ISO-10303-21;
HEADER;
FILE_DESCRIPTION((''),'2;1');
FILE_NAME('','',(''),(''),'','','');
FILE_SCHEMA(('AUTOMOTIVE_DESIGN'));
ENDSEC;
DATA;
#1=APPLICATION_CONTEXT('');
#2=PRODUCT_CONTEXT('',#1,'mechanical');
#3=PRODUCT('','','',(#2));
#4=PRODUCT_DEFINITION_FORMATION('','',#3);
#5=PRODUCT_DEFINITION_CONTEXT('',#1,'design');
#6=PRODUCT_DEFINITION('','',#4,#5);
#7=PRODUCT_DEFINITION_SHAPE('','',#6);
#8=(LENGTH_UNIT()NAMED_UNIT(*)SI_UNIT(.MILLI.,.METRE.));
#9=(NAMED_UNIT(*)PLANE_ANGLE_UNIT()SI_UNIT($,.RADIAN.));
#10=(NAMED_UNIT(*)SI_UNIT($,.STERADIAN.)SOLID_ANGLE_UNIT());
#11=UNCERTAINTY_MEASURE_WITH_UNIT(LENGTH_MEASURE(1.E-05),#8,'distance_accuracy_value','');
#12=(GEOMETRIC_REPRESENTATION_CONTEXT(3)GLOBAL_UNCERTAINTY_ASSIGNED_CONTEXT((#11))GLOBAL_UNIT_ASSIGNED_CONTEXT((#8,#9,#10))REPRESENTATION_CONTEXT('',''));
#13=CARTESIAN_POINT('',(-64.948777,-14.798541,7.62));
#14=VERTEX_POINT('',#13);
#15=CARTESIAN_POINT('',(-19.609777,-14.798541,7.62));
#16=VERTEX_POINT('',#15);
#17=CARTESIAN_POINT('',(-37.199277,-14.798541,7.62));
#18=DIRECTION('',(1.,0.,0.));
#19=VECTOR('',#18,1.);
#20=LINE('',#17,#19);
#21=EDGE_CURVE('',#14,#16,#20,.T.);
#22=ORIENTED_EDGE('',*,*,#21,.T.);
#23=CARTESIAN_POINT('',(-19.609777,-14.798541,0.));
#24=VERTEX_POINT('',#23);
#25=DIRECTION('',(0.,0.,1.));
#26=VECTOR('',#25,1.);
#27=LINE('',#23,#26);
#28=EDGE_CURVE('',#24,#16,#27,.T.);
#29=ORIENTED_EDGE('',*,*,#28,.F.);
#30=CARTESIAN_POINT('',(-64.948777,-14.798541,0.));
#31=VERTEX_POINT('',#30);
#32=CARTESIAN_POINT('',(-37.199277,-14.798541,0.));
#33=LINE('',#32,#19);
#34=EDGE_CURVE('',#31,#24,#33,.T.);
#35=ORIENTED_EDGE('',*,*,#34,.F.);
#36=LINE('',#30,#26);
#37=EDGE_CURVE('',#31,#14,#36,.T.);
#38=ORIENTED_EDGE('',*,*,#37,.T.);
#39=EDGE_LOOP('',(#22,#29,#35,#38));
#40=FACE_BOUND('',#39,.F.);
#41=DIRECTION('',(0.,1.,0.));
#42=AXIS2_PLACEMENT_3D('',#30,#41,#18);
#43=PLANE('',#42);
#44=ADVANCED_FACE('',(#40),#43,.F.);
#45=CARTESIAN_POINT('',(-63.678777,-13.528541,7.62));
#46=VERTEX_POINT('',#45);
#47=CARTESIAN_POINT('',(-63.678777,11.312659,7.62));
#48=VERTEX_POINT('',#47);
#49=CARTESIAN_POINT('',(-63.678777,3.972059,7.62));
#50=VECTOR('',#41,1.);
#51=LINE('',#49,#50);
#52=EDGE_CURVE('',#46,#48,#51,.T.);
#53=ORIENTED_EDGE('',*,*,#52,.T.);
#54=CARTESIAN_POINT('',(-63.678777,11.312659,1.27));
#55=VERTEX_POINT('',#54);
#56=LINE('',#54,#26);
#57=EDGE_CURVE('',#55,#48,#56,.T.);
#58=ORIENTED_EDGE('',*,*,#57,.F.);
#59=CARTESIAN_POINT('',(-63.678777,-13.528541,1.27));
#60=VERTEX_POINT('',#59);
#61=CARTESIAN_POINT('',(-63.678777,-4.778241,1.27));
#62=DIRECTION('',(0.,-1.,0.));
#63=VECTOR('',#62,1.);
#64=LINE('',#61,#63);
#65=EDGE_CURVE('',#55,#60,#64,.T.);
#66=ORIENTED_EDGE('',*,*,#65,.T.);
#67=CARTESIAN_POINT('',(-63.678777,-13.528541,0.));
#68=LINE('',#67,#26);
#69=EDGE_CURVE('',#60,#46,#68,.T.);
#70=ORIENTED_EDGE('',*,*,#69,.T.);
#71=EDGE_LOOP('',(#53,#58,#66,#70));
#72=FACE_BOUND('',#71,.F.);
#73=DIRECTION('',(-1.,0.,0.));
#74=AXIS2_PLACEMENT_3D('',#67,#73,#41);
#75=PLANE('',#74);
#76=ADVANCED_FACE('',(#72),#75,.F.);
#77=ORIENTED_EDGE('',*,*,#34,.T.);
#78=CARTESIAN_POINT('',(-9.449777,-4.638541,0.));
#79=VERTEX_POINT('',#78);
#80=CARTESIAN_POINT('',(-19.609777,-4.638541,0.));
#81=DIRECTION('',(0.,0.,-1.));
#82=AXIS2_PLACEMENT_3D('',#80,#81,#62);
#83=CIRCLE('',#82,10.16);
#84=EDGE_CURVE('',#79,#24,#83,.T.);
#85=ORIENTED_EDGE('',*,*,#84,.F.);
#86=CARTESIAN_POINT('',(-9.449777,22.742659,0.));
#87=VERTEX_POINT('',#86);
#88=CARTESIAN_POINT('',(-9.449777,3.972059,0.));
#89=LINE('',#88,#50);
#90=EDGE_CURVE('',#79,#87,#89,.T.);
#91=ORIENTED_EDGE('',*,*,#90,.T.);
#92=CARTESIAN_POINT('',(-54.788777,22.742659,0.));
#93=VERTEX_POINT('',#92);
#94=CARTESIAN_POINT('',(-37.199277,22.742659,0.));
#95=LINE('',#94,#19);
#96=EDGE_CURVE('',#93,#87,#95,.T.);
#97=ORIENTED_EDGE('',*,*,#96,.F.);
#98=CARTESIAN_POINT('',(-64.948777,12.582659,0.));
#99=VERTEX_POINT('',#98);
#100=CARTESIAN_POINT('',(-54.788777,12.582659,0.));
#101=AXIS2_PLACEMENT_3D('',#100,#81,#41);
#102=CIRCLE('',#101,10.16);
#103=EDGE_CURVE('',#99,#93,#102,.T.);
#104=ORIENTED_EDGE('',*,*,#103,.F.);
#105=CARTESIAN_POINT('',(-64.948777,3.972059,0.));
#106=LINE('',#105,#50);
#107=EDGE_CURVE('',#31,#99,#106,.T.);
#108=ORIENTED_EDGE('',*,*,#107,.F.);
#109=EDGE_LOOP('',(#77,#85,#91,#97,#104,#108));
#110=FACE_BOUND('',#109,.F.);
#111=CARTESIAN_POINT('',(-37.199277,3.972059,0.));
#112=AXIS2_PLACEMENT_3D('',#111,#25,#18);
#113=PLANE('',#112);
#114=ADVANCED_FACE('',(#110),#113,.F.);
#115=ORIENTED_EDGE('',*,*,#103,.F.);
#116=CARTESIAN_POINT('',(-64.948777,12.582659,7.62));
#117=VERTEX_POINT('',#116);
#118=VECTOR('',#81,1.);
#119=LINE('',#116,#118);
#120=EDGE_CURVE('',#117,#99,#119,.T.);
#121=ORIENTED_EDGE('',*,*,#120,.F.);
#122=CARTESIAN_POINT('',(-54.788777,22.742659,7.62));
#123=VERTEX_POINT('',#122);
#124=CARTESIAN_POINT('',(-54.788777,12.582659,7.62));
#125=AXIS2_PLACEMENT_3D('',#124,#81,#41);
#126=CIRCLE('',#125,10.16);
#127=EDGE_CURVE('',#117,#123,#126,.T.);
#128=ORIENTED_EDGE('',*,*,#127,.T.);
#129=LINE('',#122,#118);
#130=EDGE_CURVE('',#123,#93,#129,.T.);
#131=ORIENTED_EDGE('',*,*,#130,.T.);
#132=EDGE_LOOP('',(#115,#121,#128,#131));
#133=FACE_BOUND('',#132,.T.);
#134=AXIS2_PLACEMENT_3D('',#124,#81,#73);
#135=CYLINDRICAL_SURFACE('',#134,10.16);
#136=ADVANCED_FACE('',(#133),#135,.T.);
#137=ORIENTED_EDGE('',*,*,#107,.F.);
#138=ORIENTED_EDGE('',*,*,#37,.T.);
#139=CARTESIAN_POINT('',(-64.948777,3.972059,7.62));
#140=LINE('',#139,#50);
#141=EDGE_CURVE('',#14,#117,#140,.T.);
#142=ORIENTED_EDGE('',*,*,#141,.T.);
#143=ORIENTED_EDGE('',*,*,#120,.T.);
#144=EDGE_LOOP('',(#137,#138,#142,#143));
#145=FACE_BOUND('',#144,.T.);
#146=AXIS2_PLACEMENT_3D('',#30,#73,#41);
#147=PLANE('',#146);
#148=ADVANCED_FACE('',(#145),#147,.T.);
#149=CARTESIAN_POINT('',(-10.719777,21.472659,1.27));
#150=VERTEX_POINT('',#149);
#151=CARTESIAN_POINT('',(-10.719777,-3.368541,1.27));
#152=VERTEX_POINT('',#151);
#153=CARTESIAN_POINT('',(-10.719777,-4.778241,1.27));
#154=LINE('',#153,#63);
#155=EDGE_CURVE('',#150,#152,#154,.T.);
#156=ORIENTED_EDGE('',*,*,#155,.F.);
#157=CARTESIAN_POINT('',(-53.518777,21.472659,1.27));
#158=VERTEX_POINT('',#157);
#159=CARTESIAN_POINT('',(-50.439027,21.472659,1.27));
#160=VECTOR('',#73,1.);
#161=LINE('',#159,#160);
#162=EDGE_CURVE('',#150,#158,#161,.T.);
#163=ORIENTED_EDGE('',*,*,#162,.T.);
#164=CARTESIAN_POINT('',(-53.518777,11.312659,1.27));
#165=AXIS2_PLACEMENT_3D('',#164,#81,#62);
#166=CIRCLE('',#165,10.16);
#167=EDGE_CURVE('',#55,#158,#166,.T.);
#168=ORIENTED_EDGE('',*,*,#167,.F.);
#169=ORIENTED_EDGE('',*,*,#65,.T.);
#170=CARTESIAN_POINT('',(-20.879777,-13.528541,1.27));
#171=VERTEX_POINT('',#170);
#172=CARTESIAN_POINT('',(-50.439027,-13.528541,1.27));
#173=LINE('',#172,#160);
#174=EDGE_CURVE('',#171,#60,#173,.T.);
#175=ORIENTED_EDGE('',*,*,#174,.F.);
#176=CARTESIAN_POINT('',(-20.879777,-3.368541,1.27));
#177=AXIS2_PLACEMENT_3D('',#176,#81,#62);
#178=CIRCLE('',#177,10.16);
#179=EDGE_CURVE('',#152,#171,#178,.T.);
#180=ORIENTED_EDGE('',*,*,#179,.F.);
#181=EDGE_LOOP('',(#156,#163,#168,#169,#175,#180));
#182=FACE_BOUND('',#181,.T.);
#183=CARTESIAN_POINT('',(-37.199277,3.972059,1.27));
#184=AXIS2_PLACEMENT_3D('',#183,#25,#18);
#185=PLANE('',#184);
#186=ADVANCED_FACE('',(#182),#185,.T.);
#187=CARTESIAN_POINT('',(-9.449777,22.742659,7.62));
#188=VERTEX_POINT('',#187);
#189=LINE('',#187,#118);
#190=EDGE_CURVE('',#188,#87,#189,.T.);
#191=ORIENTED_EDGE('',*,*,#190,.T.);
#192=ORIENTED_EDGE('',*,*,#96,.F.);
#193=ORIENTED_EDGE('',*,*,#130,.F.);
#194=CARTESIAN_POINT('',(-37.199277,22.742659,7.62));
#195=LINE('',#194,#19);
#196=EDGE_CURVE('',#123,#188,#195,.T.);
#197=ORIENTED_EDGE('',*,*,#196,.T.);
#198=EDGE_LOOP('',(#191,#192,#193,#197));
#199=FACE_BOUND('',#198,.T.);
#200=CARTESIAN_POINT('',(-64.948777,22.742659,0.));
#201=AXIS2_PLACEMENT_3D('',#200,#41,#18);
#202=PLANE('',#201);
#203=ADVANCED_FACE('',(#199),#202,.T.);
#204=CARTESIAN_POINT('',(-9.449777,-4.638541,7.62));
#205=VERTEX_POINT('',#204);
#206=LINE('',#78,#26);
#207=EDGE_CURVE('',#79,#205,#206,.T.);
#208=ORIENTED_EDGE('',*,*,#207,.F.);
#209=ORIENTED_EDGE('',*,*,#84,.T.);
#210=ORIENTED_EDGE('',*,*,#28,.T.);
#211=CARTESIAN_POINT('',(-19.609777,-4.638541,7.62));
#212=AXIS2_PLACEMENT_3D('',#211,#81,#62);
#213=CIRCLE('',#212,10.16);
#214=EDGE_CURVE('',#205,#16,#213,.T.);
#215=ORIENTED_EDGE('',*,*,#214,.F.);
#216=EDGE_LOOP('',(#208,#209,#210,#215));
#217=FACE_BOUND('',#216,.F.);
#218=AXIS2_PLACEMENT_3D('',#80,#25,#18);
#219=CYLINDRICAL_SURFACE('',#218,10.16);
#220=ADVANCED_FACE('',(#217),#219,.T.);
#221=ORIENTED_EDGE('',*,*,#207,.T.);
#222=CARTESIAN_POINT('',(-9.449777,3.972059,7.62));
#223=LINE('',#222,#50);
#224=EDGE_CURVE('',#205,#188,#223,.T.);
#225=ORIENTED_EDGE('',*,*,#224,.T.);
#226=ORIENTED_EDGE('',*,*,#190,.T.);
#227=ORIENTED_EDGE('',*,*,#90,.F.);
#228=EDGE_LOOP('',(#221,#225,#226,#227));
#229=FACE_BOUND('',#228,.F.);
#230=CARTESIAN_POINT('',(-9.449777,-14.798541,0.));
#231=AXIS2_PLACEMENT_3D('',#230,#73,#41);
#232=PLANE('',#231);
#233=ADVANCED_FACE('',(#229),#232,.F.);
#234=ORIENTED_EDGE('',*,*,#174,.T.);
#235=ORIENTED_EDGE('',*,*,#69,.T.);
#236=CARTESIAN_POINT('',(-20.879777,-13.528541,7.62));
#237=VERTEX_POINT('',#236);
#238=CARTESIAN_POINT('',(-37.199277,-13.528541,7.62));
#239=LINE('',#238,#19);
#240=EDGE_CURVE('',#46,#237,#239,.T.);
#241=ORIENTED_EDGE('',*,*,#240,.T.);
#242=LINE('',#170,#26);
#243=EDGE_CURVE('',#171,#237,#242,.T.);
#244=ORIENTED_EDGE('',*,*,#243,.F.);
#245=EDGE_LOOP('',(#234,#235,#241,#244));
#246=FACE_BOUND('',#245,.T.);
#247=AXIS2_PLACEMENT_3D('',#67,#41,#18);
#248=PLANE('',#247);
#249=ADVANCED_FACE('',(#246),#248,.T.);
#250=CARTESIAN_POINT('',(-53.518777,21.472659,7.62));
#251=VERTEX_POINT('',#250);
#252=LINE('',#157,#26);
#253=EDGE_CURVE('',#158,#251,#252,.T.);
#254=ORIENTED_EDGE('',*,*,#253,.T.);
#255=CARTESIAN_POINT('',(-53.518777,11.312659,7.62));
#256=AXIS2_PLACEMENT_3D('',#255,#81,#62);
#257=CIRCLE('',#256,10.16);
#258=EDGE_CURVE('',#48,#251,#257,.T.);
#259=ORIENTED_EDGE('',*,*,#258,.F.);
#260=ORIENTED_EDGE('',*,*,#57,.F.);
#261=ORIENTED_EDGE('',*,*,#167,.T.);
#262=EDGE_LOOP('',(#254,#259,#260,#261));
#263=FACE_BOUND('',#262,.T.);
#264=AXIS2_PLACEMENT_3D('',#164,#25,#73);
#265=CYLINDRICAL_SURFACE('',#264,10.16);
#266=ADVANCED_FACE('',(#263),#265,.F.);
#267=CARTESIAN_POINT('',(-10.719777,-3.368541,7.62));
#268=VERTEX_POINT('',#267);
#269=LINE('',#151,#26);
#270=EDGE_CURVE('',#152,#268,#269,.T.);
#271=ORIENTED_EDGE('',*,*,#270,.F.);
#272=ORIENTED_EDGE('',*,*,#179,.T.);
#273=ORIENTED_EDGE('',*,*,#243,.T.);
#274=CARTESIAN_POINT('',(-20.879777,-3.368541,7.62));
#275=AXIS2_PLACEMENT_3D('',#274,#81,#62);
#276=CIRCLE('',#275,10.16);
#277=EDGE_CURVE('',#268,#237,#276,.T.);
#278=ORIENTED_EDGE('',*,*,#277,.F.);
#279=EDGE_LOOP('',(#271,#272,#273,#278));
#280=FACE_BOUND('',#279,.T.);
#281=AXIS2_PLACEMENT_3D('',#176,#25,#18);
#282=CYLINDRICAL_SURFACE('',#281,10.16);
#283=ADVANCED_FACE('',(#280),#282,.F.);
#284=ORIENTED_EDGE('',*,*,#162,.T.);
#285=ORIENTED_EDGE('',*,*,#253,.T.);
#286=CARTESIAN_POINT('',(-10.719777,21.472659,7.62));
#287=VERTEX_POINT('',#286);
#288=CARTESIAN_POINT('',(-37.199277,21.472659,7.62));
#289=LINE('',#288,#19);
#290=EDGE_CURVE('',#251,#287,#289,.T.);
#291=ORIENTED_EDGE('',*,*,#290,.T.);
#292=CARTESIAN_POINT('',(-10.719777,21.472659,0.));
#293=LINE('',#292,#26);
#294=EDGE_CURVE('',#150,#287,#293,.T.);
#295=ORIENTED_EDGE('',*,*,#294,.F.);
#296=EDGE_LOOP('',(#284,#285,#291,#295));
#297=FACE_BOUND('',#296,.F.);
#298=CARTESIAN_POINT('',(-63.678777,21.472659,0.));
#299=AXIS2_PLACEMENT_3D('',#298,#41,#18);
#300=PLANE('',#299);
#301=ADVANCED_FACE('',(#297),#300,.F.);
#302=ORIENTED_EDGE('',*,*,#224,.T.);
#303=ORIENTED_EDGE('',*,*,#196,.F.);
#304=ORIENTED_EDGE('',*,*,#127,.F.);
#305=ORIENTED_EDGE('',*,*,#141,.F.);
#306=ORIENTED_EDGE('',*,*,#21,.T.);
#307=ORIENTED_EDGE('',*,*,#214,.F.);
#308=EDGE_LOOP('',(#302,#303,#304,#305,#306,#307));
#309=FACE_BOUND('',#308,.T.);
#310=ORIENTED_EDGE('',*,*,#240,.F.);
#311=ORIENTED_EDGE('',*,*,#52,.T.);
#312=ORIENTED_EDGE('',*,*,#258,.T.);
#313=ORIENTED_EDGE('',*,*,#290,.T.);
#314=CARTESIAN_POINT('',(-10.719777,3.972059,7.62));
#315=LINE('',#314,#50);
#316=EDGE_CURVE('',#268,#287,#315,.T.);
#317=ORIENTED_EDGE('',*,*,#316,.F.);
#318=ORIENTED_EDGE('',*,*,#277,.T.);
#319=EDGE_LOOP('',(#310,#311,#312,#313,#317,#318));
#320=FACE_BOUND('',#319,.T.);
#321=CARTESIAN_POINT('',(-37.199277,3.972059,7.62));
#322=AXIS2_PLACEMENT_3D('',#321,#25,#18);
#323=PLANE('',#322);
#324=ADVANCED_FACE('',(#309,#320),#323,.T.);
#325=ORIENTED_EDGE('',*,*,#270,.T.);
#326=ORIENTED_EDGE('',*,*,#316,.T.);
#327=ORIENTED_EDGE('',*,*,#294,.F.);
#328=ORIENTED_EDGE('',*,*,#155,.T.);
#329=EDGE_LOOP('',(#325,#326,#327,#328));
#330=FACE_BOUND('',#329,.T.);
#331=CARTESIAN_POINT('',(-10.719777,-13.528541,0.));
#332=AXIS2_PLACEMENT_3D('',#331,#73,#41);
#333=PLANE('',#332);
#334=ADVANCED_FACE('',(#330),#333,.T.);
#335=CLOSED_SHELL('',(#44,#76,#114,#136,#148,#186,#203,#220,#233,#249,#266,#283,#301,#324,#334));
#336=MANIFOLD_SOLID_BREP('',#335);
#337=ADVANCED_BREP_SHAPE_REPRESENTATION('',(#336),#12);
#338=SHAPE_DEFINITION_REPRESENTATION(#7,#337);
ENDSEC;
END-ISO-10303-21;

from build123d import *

# Parameters (mm, degrees)
F0_W     = 55.499
F0_H     = 37.5412
F0_W_2   = 52.959
F0_H_2   = 35.0012
F1_DEPTH = 1.27
F2_DEPTH = 7.62
F3_R     = 10.16


with BuildPart() as f1:
    # F0 (on Top) → F1 (new body)
    with BuildSketch(Plane.XY):
        with Locations((-37.199277, 3.972059)):
            Rectangle(F0_W, F0_H)
        with Locations((-37.199277, 3.972059)):
            Rectangle(F0_W_2, F0_H_2, mode=Mode.SUBTRACT)
        with Locations((-37.199277, 3.972059)):
            Rectangle(F0_W_2, F0_H_2)
    extrude(amount=F1_DEPTH)

    # F0 (on Top) → F2 (join)
    with BuildSketch(Plane.XY):
        with Locations((-37.199277, 3.972059)):
            Rectangle(F0_W, F0_H)
        with Locations((-37.199277, 3.972059)):
            Rectangle(F0_W_2, F0_H_2, mode=Mode.SUBTRACT)
    extrude(amount=F2_DEPTH)

    # F3
    f3_edges = [f1.edges().sort_by_distance(p)[0] for p in [
        (-64.948777, 22.742659, 3.81),
        (-63.678777, 21.472659, 4.445),
        (-10.719777, -13.528541, 4.445),
        (-9.449777, -14.798541, 3.81),
    ]]
    fillet(f3_edges, radius=F3_R)


solid = f1.part
